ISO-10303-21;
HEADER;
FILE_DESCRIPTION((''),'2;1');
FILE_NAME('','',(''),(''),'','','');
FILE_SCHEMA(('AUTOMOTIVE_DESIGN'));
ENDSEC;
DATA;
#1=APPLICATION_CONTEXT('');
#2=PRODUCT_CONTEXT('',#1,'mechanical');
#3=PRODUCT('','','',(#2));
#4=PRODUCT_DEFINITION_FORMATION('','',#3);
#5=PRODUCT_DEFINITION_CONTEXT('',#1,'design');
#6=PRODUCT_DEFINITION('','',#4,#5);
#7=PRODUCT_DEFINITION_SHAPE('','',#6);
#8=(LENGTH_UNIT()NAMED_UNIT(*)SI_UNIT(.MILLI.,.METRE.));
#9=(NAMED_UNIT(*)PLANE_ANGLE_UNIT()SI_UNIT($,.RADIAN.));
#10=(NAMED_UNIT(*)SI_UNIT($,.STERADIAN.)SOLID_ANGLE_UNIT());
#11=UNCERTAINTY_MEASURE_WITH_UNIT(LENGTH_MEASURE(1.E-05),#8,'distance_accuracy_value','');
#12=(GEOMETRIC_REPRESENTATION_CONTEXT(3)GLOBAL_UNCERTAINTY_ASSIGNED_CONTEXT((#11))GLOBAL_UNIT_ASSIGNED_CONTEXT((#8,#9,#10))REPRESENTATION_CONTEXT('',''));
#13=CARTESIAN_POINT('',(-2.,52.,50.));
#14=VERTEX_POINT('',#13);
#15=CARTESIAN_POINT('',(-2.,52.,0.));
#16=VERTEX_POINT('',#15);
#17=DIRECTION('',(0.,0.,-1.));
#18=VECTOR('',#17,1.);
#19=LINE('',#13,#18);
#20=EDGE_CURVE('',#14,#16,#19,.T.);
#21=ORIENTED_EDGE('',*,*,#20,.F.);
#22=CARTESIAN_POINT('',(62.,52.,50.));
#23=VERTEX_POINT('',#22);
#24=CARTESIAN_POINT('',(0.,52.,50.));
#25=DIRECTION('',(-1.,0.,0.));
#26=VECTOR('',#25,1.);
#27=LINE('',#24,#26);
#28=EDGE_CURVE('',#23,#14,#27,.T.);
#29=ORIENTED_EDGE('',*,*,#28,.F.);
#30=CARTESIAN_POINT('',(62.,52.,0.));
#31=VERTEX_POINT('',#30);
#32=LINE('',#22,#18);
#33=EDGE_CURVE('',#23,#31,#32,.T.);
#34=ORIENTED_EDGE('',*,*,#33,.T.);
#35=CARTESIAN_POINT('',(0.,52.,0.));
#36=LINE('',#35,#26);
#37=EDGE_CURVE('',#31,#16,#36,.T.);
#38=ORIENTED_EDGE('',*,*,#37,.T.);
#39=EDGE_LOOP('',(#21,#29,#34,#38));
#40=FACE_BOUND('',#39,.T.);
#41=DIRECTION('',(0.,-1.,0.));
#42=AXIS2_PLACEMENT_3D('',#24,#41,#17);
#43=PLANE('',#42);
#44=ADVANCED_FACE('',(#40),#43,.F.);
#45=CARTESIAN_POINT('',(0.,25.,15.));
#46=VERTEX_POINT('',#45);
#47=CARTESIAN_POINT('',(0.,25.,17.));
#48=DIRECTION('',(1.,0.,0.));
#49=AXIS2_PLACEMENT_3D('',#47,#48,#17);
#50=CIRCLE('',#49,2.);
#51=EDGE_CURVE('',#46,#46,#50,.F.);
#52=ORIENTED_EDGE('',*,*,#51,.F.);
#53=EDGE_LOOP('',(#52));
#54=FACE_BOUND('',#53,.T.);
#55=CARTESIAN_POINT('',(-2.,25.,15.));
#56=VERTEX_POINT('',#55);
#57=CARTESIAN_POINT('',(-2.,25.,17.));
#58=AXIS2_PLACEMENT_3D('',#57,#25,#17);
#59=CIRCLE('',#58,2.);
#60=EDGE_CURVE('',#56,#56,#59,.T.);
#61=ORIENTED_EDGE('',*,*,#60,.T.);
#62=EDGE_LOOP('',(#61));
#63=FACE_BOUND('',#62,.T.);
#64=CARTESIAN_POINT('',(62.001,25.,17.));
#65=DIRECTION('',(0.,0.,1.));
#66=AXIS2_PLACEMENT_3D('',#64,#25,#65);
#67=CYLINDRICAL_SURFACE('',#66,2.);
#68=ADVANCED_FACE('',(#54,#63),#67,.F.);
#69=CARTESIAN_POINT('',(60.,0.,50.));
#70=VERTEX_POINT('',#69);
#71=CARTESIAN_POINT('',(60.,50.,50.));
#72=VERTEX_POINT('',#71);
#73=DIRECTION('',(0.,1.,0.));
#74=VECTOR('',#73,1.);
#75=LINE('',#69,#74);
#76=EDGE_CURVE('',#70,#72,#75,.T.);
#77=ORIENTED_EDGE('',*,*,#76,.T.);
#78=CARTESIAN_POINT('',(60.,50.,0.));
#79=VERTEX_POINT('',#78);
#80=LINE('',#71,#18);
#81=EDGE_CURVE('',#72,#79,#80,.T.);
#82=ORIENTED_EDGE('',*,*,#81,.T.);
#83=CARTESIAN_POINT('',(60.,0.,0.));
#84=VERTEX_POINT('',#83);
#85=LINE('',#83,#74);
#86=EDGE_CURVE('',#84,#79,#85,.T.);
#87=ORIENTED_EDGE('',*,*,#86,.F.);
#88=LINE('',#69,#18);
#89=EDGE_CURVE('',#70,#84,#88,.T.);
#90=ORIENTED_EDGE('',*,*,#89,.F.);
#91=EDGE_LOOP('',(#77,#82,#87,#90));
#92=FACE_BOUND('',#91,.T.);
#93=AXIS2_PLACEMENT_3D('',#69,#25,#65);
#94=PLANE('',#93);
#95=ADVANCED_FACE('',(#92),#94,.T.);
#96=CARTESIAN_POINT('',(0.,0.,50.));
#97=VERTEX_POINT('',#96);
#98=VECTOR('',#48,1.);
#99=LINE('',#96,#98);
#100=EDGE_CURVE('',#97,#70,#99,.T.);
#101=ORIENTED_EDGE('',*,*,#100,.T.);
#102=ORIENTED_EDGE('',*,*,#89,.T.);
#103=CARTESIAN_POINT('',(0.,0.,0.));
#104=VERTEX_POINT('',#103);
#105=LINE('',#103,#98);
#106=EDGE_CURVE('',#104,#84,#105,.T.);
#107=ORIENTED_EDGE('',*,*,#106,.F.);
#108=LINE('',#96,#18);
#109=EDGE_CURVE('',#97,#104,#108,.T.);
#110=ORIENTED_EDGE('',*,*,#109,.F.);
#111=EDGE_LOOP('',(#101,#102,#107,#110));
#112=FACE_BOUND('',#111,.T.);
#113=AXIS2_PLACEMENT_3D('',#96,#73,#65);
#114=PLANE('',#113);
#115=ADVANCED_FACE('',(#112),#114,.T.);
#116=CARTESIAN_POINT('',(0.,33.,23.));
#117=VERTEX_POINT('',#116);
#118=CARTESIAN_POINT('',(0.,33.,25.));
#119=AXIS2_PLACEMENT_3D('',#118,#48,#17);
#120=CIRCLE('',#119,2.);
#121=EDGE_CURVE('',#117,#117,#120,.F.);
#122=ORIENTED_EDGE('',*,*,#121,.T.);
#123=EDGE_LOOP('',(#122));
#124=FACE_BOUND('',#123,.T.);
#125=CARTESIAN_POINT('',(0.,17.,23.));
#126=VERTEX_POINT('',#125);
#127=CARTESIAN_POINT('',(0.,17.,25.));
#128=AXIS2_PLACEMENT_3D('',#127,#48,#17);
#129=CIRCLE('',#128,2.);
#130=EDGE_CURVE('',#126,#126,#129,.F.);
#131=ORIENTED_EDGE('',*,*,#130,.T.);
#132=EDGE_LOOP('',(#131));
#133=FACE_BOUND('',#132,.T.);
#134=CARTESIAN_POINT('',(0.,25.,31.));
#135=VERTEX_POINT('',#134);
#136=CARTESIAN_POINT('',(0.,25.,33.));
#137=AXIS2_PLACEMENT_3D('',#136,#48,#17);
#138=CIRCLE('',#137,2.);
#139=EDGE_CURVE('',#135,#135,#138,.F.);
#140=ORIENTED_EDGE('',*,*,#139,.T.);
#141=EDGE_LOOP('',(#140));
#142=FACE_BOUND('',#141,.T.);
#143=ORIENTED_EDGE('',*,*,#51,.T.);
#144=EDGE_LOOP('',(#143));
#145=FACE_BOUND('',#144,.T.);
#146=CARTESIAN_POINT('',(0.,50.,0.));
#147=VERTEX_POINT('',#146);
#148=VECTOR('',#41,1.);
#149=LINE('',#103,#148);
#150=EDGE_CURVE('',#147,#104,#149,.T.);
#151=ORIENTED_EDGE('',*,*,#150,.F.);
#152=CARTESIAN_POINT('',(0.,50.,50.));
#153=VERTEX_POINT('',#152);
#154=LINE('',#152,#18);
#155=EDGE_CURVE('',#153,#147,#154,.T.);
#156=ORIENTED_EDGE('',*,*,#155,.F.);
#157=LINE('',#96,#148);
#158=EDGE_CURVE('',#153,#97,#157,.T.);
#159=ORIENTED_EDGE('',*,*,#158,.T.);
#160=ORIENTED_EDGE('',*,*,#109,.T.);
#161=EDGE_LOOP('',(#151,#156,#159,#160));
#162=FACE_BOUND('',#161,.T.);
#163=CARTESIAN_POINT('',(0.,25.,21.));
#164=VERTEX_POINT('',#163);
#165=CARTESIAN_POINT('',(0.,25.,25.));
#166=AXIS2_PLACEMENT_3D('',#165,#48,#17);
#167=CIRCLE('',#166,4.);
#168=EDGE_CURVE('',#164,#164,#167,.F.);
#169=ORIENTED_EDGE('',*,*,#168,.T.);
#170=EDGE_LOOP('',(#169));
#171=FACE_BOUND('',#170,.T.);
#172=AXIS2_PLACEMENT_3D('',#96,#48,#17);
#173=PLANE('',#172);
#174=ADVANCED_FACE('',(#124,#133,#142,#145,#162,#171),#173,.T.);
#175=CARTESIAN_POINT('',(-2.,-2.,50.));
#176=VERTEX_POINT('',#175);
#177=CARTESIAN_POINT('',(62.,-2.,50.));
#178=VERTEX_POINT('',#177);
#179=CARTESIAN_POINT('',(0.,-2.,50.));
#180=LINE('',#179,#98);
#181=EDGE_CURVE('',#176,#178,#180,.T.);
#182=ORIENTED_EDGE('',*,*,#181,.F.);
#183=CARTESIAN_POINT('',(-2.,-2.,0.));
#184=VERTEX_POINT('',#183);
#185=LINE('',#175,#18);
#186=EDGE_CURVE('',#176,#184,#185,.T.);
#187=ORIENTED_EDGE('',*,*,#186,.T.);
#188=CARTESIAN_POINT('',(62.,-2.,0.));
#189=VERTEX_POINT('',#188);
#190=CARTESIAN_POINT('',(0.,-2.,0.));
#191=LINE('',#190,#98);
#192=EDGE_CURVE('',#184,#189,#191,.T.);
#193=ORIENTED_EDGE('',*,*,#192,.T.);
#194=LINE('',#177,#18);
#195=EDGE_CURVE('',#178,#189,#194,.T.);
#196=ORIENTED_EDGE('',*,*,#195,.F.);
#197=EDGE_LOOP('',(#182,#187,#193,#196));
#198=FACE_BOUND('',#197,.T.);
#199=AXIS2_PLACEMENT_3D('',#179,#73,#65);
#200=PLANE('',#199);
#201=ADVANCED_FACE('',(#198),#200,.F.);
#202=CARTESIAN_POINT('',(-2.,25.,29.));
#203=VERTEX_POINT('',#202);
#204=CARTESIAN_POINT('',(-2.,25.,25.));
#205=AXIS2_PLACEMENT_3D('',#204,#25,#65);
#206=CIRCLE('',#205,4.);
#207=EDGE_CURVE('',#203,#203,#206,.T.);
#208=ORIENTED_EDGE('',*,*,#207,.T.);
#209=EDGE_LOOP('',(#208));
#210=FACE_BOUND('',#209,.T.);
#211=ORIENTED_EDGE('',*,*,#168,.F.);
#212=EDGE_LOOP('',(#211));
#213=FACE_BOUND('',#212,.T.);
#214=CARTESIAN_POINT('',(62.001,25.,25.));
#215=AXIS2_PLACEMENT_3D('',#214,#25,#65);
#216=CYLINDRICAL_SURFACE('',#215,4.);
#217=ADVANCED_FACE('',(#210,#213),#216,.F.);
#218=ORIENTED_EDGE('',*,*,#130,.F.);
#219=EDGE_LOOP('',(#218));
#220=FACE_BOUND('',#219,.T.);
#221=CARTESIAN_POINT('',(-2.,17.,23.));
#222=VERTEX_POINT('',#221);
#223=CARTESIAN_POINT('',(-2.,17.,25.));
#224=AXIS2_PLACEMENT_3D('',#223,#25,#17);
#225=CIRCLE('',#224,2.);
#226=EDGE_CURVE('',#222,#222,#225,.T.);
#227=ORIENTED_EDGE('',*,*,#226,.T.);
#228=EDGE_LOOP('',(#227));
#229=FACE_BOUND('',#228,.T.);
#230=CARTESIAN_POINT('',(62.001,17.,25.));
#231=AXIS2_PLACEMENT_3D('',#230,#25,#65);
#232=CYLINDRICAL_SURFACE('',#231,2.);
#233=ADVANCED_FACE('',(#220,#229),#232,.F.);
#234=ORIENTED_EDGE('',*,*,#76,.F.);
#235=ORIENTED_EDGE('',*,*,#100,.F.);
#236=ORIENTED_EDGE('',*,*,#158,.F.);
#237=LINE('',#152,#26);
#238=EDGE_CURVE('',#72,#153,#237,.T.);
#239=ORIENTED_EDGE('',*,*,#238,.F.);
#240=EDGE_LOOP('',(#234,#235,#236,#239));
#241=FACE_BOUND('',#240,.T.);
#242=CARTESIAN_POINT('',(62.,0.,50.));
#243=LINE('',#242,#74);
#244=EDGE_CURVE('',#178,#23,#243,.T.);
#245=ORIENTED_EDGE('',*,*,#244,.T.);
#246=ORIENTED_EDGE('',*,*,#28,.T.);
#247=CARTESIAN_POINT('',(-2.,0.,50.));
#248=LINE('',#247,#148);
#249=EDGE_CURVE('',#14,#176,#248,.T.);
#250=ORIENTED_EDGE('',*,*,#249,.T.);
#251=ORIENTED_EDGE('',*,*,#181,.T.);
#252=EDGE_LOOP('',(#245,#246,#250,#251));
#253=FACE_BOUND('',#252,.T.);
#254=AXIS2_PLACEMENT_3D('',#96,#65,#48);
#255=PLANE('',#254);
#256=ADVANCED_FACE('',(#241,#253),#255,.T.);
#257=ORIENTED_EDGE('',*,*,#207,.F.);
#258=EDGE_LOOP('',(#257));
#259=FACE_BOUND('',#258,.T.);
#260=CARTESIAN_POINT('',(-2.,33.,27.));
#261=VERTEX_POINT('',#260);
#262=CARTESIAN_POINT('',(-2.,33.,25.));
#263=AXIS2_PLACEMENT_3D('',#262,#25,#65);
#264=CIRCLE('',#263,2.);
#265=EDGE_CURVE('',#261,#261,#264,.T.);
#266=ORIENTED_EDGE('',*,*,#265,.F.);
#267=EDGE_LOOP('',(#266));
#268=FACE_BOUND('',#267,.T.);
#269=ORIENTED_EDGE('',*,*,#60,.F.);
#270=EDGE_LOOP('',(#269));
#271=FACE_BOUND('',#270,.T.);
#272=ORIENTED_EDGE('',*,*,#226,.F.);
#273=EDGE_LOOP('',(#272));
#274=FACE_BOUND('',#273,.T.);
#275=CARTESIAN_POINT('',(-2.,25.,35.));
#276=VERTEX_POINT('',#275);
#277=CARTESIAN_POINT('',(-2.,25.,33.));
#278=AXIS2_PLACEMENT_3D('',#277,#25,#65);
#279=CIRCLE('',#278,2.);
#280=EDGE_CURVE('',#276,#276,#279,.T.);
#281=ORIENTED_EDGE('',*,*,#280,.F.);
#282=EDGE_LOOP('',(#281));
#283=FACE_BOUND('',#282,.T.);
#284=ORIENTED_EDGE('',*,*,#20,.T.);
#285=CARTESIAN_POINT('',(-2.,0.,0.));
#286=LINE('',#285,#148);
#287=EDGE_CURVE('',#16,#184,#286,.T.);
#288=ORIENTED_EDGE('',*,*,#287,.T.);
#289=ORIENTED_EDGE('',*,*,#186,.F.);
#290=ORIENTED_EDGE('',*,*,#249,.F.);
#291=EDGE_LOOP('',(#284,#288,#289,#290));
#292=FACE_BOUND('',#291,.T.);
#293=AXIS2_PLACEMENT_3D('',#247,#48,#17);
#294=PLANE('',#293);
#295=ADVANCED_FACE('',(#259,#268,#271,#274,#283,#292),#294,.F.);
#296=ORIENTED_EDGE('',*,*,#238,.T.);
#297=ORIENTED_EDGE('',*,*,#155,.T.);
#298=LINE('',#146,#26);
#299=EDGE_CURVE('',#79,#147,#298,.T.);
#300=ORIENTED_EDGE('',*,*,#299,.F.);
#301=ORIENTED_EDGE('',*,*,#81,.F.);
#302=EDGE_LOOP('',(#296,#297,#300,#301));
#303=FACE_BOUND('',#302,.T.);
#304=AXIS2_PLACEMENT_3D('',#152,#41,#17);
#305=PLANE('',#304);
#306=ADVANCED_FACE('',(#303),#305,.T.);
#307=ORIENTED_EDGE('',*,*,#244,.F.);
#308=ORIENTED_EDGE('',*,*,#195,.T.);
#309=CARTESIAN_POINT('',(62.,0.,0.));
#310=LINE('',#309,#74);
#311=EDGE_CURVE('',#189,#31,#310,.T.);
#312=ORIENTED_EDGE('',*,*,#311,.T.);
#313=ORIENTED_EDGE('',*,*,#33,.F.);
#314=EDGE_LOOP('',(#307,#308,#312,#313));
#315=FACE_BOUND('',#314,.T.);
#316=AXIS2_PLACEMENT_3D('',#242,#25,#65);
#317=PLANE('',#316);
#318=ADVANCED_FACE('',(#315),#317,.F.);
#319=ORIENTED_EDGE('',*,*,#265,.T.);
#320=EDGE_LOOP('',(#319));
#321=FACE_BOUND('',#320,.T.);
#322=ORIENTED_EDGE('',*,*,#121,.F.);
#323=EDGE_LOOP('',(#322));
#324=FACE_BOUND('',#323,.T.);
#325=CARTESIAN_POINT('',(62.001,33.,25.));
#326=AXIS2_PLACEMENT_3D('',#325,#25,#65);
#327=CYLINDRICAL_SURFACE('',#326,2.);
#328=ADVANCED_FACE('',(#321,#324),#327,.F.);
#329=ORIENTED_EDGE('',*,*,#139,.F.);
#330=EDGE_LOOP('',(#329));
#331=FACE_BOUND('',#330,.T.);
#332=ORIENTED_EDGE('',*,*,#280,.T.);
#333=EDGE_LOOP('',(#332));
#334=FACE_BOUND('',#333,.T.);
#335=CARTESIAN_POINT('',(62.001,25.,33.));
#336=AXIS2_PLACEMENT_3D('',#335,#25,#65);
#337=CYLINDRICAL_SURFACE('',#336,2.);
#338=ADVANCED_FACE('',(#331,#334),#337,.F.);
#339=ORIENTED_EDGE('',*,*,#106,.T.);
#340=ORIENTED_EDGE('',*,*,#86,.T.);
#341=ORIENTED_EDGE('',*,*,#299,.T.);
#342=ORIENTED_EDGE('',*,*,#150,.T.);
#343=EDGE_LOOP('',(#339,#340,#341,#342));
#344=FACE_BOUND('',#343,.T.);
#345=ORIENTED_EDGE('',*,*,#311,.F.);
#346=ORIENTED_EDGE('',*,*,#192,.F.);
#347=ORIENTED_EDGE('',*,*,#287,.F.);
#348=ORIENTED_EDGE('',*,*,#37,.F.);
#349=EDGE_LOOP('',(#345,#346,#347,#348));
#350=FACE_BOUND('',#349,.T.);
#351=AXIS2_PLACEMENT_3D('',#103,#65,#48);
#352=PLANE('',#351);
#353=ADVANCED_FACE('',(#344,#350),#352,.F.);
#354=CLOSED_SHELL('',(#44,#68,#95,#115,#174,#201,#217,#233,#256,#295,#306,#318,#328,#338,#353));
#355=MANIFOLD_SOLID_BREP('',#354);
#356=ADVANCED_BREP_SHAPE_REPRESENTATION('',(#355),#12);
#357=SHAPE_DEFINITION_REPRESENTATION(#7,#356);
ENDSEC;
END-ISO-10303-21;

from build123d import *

# Parameters (mm, degrees)
IZIM1_W               = 64
IZIM1_H               = 54
IZIM1_W_2             = 60
IZIM1_H_2             = 50
EKSTR_ZYON_NCE1_DEPTH = 50
KES_EKSTR_ZYON1_REACH = 98.437
IZIM2_R               = 4
IZIM2_R_2             = 2


with BuildPart() as part:
    # Çizim1 → Ekstrüzyon-İnce1 (new body)
    with BuildSketch(Plane.XY):
        with Locations((30, 25)):
            Rectangle(IZIM1_W, IZIM1_H)
        with Locations((30, 25)):
            Rectangle(IZIM1_W_2, IZIM1_H_2, mode=Mode.SUBTRACT)
    extrude(amount=EKSTR_ZYON_NCE1_DEPTH)

    # Çizim2 → Kes-Ekstrüzyon1 (cut, up to next)
    with BuildSketch(Plane.ZY.offset(2), mode=Mode.PRIVATE) as kes_ekstr_zyon1_sk1:
        with Locations((25, 25)):
            Circle(IZIM2_R)
    kes_ekstr_zyon1_tool1 = extrude(kes_ekstr_zyon1_sk1.sketch, amount=-KES_EKSTR_ZYON1_REACH, mode=Mode.PRIVATE) & part.part
    # Çizim2 → Kes-Ekstrüzyon1 (cut, up to next)
    with BuildSketch(Plane.ZY.offset(2), mode=Mode.PRIVATE) as kes_ekstr_zyon1_sk2:
        with Locations((33, 25)):
            Circle(IZIM2_R_2)
    kes_ekstr_zyon1_tool2 = extrude(kes_ekstr_zyon1_sk2.sketch, amount=-KES_EKSTR_ZYON1_REACH, mode=Mode.PRIVATE) & part.part
    # Çizim2 → Kes-Ekstrüzyon1 (cut, up to next)
    with BuildSketch(Plane.ZY.offset(2), mode=Mode.PRIVATE) as kes_ekstr_zyon1_sk3:
        with Locations(Location((17, 25, 0), (0, 0, 180))):
            Circle(IZIM2_R_2)
    kes_ekstr_zyon1_tool3 = extrude(kes_ekstr_zyon1_sk3.sketch, amount=-KES_EKSTR_ZYON1_REACH, mode=Mode.PRIVATE) & part.part
    # Çizim2 → Kes-Ekstrüzyon1 (cut, up to next)
    with BuildSketch(Plane.ZY.offset(2), mode=Mode.PRIVATE) as kes_ekstr_zyon1_sk4:
        with Locations((25, 33)):
            Circle(IZIM2_R_2)
    kes_ekstr_zyon1_tool4 = extrude(kes_ekstr_zyon1_sk4.sketch, amount=-KES_EKSTR_ZYON1_REACH, mode=Mode.PRIVATE) & part.part
    # Çizim2 → Kes-Ekstrüzyon1 (cut, up to next)
    with BuildSketch(Plane.ZY.offset(2), mode=Mode.PRIVATE) as kes_ekstr_zyon1_sk5:
        with Locations(Location((25, 17, 0), (0, 0, 180))):
            Circle(IZIM2_R_2)
    kes_ekstr_zyon1_tool5 = extrude(kes_ekstr_zyon1_sk5.sketch, amount=-KES_EKSTR_ZYON1_REACH, mode=Mode.PRIVATE) & part.part
    add(kes_ekstr_zyon1_tool1.solids().sort_by_distance((-2, 25, 25))[0], mode=Mode.SUBTRACT)
    add(kes_ekstr_zyon1_tool2.solids().sort_by_distance((-2, 25, 33))[0], mode=Mode.SUBTRACT)
    add(kes_ekstr_zyon1_tool3.solids().sort_by_distance((-2, 25, 17))[0], mode=Mode.SUBTRACT)
    add(kes_ekstr_zyon1_tool4.solids().sort_by_distance((-2, 33, 25))[0], mode=Mode.SUBTRACT)
    add(kes_ekstr_zyon1_tool5.solids().sort_by_distance((-2, 17, 25))[0], mode=Mode.SUBTRACT)


solid = part.part
